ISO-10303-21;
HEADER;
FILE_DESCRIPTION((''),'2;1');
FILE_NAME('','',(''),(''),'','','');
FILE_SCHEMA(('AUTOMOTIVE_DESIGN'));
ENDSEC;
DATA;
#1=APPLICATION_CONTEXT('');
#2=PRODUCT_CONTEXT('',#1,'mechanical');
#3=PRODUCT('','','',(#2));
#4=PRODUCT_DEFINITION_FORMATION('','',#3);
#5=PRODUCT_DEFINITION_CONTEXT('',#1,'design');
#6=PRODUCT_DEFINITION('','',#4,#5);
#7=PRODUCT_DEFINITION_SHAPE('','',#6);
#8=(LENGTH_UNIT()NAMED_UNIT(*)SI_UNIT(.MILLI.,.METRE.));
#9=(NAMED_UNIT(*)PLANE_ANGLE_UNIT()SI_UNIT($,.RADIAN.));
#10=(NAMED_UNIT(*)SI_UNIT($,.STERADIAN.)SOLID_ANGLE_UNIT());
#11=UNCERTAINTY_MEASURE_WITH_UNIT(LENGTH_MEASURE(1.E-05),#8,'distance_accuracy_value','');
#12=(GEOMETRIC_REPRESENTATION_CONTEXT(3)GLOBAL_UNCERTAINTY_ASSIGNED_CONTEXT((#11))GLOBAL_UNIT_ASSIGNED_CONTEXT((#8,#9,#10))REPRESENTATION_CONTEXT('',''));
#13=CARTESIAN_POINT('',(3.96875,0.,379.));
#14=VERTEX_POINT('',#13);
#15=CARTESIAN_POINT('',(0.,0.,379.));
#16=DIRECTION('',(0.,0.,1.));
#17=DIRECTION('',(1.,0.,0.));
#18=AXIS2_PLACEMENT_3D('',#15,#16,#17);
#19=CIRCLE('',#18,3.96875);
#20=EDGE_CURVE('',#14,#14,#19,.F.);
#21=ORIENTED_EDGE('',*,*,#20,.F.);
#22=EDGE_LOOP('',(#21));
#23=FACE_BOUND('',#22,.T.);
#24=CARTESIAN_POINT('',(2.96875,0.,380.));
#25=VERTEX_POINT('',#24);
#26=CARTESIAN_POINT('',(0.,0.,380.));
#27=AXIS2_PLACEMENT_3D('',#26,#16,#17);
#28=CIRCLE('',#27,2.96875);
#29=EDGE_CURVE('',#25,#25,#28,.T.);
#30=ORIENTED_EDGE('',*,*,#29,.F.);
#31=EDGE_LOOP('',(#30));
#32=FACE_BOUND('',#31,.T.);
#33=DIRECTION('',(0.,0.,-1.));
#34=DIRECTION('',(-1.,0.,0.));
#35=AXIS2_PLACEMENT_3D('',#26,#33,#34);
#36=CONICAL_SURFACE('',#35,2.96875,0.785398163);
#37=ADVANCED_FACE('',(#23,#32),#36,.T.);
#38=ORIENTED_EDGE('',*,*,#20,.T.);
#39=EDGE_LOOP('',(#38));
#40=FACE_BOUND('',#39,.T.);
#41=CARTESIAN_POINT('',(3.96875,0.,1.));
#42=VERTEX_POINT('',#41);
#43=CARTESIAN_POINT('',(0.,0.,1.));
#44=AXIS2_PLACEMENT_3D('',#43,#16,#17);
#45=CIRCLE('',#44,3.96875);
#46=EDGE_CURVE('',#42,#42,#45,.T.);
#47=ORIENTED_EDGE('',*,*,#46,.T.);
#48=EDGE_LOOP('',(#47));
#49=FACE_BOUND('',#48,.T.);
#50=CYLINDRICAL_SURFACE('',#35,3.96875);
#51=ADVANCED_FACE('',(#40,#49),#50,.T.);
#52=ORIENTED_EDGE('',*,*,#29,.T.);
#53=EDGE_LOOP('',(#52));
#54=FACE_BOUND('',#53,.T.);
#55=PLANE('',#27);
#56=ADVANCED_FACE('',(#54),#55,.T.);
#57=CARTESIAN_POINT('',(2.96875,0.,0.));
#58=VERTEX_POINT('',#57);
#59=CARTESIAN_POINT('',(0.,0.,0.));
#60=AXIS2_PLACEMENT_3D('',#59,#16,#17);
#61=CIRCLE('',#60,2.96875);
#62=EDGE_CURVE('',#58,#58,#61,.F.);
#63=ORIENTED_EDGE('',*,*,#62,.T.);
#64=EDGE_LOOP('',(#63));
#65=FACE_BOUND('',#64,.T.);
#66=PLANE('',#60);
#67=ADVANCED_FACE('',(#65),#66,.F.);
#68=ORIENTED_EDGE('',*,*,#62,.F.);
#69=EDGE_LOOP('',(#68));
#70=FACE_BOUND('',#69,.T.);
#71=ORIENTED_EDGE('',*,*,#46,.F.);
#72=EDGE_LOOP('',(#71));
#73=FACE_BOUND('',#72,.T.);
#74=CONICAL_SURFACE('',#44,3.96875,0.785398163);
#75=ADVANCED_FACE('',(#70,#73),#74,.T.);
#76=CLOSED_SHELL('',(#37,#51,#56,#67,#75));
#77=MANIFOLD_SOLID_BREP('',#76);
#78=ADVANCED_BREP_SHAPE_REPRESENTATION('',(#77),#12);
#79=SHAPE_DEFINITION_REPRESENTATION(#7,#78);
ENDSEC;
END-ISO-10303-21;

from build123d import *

# Parameters (mm, degrees)
SKETCH1_R           = 3.96875
BOSS_EXTRUDE1_DEPTH = 380
CHAMFER2_SIZE       = 1
CHAMFER3_SIZE       = 1


with BuildPart() as part:
    # Sketch1 → Boss-Extrude1 (new body)
    with BuildSketch(Plane.XY):
        Circle(SKETCH1_R)
    extrude(amount=BOSS_EXTRUDE1_DEPTH)

    # Chamfer2
    chamfer2_edges = [part.edges().sort_by_distance(p)[0] for p in [
        (-3.96875, 0, 0),
    ]]
    chamfer(chamfer2_edges, length=CHAMFER2_SIZE)

    # Chamfer3
    chamfer3_edges = [part.edges().sort_by_distance(p)[0] for p in [
        (-3.96875, 0, 380),
    ]]
    chamfer(chamfer3_edges, length=CHAMFER3_SIZE)


solid = part.part
